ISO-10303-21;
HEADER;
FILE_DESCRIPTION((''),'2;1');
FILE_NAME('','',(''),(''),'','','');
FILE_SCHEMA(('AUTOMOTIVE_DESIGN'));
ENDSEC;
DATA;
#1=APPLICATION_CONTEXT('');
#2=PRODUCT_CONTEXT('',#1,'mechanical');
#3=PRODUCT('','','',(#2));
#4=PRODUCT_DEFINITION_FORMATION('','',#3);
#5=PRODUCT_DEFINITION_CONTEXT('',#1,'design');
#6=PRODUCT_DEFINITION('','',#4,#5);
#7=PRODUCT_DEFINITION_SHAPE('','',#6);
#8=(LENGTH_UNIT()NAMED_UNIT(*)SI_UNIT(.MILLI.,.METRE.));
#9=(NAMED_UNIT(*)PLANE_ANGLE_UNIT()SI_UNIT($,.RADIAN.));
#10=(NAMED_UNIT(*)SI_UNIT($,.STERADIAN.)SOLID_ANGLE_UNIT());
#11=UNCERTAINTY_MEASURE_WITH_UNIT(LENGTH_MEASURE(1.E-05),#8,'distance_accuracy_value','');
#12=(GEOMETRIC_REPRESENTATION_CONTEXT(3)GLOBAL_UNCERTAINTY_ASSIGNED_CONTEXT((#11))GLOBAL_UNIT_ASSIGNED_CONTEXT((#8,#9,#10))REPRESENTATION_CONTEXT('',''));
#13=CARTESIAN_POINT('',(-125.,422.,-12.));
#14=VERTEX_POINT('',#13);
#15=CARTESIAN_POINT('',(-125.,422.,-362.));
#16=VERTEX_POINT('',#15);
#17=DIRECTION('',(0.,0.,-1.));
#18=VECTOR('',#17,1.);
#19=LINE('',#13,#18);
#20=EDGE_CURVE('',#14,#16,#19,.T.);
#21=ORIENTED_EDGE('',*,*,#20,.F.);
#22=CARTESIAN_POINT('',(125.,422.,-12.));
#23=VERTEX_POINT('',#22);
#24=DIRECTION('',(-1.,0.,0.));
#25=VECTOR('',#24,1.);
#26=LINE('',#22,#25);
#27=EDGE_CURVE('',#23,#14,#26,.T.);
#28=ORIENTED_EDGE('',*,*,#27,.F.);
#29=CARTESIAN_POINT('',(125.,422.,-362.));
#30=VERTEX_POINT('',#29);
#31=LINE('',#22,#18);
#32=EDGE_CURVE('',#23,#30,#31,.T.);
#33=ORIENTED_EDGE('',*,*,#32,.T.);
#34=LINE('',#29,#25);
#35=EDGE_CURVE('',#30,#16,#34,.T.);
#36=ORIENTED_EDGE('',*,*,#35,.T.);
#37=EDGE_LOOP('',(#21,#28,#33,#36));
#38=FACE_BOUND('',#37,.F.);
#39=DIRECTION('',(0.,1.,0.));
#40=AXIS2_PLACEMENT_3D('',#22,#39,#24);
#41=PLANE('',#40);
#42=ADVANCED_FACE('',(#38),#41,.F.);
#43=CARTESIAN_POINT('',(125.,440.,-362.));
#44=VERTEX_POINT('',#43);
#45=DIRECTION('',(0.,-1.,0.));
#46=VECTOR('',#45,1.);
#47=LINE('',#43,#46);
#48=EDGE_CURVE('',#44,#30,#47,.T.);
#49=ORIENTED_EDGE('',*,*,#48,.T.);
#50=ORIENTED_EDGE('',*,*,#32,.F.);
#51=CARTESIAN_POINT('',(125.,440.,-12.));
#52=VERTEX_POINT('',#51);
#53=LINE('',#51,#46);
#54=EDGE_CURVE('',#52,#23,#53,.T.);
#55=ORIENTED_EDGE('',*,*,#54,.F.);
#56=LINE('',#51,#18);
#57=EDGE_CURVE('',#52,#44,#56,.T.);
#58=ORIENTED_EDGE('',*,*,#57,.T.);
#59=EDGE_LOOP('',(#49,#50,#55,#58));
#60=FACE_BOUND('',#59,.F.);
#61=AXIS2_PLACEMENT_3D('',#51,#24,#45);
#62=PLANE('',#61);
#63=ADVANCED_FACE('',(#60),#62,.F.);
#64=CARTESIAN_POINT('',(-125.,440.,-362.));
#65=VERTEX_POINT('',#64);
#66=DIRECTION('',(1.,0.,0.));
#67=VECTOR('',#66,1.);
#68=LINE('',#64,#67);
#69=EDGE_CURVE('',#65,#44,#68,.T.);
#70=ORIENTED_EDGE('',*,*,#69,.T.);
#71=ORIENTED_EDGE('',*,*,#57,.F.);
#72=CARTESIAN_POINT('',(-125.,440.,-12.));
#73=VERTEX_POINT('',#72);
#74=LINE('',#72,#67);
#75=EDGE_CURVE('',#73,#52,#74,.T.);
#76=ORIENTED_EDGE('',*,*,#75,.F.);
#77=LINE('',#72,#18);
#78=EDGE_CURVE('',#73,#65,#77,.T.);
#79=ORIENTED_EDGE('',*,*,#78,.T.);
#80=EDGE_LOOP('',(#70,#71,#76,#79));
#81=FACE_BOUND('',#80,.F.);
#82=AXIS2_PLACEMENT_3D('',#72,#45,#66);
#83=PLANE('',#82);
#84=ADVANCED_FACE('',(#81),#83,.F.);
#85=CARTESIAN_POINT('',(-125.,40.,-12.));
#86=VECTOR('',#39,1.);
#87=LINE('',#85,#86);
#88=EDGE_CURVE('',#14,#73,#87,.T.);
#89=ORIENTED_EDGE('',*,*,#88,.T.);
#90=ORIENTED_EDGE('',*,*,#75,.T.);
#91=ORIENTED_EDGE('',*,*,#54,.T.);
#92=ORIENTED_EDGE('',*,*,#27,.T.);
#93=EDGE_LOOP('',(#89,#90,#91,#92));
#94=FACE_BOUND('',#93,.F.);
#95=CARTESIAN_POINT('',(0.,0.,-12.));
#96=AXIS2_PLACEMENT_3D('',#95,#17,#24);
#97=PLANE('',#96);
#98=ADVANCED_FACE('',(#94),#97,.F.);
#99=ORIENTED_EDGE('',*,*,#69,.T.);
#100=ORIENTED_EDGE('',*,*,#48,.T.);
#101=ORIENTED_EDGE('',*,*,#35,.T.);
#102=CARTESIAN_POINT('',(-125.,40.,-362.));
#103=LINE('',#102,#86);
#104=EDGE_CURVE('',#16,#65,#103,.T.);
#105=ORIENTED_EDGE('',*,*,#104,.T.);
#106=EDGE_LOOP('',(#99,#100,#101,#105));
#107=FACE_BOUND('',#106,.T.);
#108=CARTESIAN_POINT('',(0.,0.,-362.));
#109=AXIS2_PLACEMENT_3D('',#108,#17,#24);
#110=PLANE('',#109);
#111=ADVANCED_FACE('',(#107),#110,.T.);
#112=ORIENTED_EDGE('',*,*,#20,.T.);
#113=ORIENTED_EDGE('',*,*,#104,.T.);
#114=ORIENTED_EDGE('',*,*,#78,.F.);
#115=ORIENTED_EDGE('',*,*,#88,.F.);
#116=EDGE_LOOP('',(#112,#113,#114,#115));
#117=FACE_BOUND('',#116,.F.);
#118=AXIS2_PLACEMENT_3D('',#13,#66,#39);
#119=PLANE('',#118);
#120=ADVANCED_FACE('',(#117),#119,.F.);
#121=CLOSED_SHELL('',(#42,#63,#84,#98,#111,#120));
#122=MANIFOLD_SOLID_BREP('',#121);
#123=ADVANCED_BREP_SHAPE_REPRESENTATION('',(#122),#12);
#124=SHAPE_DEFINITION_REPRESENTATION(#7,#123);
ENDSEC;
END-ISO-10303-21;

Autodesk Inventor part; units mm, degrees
ref_plane "YZ Plane" through (0, 0, 0) normal (1, 0, 0) x (0, 1, 0)
ref_plane "XZ Plane" through (0, 0, 0) normal (0, 1, 0) x (-1, 0, 0)
ref_plane "XY Plane" through (0, 0, 0) normal (0, 0, 1) x (1, 0, 0)
ref_plane "Pracovní rovina1" through (0, 0, -12) normal (0, 0, -1) x (-1, 0, 0)
sketch "Náčrt1" plane through (0, 0, -12) normal (0, 0, -1) x (-1, 0, 0)
  line L0 (-125, 440) -> (-125, 40) projected
  line L1 (-125, 40) -> (125, 40) projected
  line L2 (125, 40) -> (125, 440) projected
  line L3 (125, 440) -> (-125, 440) projected
  line L4 (-125, 440) -> (-125, 40) projected
  line L5 (-125, 40) -> (125, 40) projected
  line L6 (125, 40) -> (125, 440) projected
  line L7 (125, 440) -> (-125, 440) projected
  line L8 (125, 440) -> (-125, 440)
  line L9 (-125, 440) -> (-125, 422)
  line L10 (-125, 422) -> (125, 422)
  line L11 (125, 422) -> (125, 440)
  point P0 (0, 0)
  dimension "d0" = 18
extrude "Vysunutí1" add sketch "Náčrt1" along normal blind 350 contours L3 L2 L10 L0
properties part number "Deska_bocni" material "Dřevo (Bříza)"
